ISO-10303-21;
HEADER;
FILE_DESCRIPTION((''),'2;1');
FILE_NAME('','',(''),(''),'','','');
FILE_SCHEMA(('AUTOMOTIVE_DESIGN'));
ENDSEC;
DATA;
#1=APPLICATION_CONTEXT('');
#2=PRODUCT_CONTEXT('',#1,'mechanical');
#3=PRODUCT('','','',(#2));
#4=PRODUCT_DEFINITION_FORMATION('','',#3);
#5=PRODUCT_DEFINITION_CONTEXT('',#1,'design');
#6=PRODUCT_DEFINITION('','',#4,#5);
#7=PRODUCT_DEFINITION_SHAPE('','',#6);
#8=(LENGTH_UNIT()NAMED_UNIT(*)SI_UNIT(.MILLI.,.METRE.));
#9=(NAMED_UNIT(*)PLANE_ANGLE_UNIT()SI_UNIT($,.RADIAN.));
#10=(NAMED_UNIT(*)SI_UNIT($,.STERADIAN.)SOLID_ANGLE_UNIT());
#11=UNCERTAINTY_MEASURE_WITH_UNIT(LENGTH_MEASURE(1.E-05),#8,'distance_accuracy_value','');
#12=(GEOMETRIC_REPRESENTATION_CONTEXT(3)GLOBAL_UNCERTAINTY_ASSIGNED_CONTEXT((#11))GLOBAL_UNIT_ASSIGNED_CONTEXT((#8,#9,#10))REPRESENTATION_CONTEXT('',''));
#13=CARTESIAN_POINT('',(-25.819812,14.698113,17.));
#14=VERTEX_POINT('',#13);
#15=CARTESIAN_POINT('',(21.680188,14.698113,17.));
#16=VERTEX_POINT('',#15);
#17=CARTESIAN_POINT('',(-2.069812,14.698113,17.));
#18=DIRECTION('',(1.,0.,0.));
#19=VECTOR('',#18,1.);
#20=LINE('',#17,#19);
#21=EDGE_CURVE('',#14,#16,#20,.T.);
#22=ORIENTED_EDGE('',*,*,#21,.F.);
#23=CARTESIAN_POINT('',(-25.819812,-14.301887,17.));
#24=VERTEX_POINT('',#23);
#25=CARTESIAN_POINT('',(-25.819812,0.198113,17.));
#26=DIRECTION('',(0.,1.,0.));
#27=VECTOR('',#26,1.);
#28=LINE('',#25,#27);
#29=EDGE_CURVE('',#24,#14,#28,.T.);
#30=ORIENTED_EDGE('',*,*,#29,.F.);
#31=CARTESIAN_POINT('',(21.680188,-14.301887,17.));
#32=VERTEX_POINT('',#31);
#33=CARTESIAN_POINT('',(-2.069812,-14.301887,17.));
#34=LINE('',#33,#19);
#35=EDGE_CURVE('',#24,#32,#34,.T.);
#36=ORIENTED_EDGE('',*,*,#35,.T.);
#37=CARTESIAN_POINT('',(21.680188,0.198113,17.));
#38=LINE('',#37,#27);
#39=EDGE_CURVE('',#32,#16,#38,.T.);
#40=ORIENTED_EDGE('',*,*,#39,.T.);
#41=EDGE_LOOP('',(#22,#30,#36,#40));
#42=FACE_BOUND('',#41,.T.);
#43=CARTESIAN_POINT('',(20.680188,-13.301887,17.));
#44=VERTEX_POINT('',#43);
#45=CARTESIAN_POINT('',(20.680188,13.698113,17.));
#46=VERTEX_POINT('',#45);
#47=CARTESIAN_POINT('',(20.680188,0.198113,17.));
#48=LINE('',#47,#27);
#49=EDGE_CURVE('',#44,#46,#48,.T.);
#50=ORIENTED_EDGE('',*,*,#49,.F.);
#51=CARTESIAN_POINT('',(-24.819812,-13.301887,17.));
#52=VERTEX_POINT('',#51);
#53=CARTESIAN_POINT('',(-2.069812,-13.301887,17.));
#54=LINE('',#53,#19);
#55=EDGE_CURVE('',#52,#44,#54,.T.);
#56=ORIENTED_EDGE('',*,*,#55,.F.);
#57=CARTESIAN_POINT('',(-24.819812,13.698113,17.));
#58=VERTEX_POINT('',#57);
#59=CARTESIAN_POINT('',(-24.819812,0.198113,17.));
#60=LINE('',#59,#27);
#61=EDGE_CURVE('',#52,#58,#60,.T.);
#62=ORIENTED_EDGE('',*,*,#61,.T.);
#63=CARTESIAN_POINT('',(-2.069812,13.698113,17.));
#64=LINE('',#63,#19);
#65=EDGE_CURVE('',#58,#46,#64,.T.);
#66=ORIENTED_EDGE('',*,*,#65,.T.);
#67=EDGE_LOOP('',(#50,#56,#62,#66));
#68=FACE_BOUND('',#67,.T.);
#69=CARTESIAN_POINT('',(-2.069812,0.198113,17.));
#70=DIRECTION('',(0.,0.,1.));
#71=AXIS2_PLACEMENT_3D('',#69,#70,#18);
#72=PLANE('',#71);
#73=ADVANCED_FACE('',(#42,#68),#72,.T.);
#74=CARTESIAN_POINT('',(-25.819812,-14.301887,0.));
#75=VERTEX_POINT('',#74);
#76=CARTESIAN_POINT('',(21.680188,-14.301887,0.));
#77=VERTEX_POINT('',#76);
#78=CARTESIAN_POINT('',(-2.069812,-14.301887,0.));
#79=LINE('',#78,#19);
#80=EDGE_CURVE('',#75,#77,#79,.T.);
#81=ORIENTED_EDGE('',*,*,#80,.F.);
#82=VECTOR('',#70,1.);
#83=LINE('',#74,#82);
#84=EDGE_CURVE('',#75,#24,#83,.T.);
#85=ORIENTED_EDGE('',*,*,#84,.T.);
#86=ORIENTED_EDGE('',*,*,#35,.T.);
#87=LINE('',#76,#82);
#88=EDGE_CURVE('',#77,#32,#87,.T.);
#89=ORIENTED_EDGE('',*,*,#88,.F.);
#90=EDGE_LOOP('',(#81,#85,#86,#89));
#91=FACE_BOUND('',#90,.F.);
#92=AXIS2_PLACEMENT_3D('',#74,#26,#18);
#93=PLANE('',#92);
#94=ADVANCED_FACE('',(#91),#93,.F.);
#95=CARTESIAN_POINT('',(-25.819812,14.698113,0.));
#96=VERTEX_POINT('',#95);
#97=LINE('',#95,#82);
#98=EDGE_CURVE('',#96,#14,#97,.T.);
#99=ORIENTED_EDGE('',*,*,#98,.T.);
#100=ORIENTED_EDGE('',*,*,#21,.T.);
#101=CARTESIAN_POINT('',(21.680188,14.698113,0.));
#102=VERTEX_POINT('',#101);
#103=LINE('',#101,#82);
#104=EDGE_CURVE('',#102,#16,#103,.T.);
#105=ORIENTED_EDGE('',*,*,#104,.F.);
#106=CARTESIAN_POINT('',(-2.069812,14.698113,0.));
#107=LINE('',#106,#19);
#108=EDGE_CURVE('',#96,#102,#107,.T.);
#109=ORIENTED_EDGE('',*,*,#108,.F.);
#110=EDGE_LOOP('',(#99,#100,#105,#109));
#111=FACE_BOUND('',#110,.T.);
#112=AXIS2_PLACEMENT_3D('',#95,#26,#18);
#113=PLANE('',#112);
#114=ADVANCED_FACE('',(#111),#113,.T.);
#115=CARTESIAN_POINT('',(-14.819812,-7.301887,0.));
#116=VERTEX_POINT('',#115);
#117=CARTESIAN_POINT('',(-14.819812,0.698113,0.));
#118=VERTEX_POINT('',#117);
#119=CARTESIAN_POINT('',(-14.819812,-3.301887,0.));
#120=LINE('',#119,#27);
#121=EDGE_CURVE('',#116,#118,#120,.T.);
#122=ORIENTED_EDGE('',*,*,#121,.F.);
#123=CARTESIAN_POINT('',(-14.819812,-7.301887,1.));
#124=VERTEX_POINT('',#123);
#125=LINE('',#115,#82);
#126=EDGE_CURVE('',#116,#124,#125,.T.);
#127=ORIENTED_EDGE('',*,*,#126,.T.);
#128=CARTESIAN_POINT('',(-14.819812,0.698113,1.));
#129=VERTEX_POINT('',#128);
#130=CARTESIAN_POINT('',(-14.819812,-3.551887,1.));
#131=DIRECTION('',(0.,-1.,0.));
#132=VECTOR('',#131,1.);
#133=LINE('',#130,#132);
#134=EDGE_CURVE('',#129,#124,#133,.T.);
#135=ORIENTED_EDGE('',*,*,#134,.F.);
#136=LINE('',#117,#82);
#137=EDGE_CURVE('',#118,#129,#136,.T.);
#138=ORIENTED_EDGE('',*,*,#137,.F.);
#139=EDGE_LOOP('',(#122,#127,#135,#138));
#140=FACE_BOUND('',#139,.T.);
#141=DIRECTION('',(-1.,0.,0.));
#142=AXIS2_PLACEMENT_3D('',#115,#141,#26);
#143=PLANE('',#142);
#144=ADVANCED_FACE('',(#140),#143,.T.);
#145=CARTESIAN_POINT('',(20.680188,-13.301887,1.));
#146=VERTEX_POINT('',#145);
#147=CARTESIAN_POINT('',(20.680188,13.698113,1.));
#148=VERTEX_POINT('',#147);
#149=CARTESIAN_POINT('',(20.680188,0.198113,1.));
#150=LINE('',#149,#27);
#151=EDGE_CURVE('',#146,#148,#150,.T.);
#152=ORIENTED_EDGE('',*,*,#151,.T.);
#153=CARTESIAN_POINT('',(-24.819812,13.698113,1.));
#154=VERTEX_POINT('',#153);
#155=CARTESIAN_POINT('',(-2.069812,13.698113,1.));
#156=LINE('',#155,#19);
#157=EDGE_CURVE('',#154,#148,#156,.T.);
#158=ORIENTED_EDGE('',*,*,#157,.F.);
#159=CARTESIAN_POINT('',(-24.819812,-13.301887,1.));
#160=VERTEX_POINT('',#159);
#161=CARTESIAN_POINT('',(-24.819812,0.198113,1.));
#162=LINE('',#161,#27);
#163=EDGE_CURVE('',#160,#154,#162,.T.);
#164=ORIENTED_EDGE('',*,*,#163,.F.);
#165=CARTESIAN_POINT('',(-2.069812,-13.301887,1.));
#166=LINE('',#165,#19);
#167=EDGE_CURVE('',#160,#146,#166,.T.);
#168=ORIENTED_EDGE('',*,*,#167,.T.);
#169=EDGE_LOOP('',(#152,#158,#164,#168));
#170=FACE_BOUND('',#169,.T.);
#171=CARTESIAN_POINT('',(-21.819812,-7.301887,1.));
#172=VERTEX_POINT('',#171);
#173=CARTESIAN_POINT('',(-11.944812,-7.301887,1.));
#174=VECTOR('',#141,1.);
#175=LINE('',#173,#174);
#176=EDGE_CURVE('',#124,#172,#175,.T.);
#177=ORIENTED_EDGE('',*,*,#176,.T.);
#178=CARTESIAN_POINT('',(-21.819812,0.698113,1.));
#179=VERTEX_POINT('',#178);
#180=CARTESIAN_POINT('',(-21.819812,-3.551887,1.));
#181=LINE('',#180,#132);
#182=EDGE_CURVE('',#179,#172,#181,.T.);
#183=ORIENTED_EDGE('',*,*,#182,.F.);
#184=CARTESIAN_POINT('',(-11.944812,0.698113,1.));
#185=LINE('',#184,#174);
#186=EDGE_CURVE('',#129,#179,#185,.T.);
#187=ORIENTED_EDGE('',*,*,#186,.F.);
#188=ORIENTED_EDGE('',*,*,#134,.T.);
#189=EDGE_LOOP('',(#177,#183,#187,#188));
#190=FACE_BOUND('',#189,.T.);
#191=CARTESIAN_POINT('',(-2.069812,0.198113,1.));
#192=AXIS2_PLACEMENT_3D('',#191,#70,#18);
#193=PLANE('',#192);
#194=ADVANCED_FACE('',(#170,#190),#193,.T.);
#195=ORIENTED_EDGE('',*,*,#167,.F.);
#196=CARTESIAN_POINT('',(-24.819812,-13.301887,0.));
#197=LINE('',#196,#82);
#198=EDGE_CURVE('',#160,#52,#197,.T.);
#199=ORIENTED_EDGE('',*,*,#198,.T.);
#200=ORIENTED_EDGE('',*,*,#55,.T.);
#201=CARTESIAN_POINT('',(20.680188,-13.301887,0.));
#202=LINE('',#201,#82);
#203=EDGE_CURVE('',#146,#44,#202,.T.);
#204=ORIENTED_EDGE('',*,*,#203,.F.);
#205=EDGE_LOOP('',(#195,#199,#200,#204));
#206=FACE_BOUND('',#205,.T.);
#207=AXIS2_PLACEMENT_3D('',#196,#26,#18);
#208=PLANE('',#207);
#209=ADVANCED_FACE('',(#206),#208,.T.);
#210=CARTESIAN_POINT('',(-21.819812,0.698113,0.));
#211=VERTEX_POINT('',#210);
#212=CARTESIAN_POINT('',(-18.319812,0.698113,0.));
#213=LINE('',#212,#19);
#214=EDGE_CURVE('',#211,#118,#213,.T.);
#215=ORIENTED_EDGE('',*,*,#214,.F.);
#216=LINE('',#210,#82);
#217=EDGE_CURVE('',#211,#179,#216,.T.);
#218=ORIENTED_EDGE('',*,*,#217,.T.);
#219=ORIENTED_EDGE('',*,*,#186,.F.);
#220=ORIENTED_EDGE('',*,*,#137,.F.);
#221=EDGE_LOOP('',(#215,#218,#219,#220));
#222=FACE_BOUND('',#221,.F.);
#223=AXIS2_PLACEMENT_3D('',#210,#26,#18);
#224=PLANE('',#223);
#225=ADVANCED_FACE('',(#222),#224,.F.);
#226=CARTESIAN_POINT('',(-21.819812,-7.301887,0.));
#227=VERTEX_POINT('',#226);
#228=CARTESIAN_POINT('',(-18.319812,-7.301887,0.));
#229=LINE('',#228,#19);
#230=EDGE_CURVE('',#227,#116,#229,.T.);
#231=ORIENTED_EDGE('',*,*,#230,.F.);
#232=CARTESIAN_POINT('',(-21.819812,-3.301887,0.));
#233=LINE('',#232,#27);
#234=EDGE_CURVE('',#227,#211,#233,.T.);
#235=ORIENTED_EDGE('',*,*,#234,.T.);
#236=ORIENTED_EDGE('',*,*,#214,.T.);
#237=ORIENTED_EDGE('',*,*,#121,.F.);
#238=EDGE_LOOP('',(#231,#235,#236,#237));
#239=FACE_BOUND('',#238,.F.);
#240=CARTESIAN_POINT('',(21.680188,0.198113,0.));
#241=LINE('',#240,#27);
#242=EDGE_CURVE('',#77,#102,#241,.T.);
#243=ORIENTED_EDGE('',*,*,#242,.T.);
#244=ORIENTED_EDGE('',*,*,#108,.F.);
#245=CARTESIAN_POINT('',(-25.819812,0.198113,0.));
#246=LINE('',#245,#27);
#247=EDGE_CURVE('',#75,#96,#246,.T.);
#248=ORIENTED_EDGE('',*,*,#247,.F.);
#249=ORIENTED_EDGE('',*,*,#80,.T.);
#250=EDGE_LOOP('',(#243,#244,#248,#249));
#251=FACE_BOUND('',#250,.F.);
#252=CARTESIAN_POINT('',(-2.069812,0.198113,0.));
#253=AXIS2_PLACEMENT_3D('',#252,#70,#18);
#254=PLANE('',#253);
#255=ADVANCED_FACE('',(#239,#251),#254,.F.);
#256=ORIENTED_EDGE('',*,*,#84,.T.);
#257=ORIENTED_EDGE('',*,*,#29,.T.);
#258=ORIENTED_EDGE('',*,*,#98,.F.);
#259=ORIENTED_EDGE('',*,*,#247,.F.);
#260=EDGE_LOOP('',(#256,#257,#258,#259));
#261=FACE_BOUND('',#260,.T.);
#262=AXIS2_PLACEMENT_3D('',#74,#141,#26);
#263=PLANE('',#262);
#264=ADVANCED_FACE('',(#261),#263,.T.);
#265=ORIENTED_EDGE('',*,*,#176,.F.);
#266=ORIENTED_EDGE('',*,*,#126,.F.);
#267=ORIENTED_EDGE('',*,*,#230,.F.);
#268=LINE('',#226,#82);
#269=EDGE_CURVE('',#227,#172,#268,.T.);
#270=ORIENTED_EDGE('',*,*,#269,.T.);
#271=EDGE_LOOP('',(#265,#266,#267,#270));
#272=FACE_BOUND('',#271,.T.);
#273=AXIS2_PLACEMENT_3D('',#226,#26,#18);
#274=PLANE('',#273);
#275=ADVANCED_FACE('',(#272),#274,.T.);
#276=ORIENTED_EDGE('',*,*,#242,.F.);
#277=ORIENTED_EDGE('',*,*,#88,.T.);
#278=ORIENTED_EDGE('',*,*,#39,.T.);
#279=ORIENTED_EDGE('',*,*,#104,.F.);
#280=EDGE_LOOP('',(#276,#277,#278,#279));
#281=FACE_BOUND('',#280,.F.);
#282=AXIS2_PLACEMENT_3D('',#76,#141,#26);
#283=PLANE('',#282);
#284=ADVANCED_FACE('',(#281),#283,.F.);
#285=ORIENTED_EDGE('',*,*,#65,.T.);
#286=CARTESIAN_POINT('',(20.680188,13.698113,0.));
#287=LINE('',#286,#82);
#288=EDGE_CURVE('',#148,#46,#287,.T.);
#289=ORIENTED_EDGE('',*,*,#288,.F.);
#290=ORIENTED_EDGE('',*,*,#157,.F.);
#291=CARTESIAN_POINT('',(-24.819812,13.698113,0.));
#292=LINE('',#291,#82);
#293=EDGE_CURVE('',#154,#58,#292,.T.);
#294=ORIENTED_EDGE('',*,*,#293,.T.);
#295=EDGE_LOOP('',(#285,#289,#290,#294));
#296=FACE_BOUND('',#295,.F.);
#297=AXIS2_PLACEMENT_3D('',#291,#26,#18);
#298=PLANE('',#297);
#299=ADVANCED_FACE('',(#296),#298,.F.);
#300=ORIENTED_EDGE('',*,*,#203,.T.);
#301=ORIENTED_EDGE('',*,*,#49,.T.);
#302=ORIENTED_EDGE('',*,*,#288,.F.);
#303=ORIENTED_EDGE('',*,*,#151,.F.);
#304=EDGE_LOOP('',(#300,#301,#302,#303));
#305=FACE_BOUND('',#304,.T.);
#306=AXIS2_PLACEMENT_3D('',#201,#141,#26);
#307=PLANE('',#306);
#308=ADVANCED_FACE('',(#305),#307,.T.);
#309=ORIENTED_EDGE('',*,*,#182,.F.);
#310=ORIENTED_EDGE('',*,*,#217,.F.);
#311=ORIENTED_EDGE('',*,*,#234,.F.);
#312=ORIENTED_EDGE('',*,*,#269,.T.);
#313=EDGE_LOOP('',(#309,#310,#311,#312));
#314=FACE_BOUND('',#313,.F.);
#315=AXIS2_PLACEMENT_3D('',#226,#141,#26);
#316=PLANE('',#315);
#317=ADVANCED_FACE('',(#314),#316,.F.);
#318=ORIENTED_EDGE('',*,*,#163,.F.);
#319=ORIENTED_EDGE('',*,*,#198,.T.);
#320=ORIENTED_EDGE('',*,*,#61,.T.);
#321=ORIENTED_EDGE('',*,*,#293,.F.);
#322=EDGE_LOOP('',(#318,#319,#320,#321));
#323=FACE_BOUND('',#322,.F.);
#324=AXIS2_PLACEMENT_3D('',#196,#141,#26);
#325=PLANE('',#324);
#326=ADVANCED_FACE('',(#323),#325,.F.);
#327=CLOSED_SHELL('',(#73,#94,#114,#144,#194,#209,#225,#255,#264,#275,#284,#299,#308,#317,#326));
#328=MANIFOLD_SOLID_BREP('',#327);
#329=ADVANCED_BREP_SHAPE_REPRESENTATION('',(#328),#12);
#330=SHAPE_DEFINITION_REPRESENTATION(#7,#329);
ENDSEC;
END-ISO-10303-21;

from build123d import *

# Parameters (mm, degrees)
F0_W     = 45.5
F0_H     = 27
F1_DEPTH = 1
F0_W_2   = 47.5
F0_H_2   = 29
F2_DEPTH = 17
F3_W     = 7
F3_H     = 8
F4_DEPTH = 17.001


with BuildPart() as f1:
    # F0 (on Top) → F1 (new body)
    with BuildSketch(Plane.XY):
        with Locations((-2.069812, 0.198113)):
            Rectangle(F0_W, F0_H)
    extrude(amount=F1_DEPTH)

    # F0 (on Top) → F2 (join)
    with BuildSketch(Plane.XY):
        with Locations((-2.069812, 0.198113)):
            Rectangle(F0_W_2, F0_H_2)
        with Locations((-2.069812, 0.198113)):
            Rectangle(F0_W, F0_H, mode=Mode.SUBTRACT)
    extrude(amount=F2_DEPTH)

    # F3 (on face) → F4 (cut, through all)
    with BuildSketch(Plane.XY):
        with Locations((-18.319812, -3.301887)):
            Rectangle(F3_W, F3_H)
    extrude(amount=F4_DEPTH, mode=Mode.SUBTRACT)


solid = f1.part
